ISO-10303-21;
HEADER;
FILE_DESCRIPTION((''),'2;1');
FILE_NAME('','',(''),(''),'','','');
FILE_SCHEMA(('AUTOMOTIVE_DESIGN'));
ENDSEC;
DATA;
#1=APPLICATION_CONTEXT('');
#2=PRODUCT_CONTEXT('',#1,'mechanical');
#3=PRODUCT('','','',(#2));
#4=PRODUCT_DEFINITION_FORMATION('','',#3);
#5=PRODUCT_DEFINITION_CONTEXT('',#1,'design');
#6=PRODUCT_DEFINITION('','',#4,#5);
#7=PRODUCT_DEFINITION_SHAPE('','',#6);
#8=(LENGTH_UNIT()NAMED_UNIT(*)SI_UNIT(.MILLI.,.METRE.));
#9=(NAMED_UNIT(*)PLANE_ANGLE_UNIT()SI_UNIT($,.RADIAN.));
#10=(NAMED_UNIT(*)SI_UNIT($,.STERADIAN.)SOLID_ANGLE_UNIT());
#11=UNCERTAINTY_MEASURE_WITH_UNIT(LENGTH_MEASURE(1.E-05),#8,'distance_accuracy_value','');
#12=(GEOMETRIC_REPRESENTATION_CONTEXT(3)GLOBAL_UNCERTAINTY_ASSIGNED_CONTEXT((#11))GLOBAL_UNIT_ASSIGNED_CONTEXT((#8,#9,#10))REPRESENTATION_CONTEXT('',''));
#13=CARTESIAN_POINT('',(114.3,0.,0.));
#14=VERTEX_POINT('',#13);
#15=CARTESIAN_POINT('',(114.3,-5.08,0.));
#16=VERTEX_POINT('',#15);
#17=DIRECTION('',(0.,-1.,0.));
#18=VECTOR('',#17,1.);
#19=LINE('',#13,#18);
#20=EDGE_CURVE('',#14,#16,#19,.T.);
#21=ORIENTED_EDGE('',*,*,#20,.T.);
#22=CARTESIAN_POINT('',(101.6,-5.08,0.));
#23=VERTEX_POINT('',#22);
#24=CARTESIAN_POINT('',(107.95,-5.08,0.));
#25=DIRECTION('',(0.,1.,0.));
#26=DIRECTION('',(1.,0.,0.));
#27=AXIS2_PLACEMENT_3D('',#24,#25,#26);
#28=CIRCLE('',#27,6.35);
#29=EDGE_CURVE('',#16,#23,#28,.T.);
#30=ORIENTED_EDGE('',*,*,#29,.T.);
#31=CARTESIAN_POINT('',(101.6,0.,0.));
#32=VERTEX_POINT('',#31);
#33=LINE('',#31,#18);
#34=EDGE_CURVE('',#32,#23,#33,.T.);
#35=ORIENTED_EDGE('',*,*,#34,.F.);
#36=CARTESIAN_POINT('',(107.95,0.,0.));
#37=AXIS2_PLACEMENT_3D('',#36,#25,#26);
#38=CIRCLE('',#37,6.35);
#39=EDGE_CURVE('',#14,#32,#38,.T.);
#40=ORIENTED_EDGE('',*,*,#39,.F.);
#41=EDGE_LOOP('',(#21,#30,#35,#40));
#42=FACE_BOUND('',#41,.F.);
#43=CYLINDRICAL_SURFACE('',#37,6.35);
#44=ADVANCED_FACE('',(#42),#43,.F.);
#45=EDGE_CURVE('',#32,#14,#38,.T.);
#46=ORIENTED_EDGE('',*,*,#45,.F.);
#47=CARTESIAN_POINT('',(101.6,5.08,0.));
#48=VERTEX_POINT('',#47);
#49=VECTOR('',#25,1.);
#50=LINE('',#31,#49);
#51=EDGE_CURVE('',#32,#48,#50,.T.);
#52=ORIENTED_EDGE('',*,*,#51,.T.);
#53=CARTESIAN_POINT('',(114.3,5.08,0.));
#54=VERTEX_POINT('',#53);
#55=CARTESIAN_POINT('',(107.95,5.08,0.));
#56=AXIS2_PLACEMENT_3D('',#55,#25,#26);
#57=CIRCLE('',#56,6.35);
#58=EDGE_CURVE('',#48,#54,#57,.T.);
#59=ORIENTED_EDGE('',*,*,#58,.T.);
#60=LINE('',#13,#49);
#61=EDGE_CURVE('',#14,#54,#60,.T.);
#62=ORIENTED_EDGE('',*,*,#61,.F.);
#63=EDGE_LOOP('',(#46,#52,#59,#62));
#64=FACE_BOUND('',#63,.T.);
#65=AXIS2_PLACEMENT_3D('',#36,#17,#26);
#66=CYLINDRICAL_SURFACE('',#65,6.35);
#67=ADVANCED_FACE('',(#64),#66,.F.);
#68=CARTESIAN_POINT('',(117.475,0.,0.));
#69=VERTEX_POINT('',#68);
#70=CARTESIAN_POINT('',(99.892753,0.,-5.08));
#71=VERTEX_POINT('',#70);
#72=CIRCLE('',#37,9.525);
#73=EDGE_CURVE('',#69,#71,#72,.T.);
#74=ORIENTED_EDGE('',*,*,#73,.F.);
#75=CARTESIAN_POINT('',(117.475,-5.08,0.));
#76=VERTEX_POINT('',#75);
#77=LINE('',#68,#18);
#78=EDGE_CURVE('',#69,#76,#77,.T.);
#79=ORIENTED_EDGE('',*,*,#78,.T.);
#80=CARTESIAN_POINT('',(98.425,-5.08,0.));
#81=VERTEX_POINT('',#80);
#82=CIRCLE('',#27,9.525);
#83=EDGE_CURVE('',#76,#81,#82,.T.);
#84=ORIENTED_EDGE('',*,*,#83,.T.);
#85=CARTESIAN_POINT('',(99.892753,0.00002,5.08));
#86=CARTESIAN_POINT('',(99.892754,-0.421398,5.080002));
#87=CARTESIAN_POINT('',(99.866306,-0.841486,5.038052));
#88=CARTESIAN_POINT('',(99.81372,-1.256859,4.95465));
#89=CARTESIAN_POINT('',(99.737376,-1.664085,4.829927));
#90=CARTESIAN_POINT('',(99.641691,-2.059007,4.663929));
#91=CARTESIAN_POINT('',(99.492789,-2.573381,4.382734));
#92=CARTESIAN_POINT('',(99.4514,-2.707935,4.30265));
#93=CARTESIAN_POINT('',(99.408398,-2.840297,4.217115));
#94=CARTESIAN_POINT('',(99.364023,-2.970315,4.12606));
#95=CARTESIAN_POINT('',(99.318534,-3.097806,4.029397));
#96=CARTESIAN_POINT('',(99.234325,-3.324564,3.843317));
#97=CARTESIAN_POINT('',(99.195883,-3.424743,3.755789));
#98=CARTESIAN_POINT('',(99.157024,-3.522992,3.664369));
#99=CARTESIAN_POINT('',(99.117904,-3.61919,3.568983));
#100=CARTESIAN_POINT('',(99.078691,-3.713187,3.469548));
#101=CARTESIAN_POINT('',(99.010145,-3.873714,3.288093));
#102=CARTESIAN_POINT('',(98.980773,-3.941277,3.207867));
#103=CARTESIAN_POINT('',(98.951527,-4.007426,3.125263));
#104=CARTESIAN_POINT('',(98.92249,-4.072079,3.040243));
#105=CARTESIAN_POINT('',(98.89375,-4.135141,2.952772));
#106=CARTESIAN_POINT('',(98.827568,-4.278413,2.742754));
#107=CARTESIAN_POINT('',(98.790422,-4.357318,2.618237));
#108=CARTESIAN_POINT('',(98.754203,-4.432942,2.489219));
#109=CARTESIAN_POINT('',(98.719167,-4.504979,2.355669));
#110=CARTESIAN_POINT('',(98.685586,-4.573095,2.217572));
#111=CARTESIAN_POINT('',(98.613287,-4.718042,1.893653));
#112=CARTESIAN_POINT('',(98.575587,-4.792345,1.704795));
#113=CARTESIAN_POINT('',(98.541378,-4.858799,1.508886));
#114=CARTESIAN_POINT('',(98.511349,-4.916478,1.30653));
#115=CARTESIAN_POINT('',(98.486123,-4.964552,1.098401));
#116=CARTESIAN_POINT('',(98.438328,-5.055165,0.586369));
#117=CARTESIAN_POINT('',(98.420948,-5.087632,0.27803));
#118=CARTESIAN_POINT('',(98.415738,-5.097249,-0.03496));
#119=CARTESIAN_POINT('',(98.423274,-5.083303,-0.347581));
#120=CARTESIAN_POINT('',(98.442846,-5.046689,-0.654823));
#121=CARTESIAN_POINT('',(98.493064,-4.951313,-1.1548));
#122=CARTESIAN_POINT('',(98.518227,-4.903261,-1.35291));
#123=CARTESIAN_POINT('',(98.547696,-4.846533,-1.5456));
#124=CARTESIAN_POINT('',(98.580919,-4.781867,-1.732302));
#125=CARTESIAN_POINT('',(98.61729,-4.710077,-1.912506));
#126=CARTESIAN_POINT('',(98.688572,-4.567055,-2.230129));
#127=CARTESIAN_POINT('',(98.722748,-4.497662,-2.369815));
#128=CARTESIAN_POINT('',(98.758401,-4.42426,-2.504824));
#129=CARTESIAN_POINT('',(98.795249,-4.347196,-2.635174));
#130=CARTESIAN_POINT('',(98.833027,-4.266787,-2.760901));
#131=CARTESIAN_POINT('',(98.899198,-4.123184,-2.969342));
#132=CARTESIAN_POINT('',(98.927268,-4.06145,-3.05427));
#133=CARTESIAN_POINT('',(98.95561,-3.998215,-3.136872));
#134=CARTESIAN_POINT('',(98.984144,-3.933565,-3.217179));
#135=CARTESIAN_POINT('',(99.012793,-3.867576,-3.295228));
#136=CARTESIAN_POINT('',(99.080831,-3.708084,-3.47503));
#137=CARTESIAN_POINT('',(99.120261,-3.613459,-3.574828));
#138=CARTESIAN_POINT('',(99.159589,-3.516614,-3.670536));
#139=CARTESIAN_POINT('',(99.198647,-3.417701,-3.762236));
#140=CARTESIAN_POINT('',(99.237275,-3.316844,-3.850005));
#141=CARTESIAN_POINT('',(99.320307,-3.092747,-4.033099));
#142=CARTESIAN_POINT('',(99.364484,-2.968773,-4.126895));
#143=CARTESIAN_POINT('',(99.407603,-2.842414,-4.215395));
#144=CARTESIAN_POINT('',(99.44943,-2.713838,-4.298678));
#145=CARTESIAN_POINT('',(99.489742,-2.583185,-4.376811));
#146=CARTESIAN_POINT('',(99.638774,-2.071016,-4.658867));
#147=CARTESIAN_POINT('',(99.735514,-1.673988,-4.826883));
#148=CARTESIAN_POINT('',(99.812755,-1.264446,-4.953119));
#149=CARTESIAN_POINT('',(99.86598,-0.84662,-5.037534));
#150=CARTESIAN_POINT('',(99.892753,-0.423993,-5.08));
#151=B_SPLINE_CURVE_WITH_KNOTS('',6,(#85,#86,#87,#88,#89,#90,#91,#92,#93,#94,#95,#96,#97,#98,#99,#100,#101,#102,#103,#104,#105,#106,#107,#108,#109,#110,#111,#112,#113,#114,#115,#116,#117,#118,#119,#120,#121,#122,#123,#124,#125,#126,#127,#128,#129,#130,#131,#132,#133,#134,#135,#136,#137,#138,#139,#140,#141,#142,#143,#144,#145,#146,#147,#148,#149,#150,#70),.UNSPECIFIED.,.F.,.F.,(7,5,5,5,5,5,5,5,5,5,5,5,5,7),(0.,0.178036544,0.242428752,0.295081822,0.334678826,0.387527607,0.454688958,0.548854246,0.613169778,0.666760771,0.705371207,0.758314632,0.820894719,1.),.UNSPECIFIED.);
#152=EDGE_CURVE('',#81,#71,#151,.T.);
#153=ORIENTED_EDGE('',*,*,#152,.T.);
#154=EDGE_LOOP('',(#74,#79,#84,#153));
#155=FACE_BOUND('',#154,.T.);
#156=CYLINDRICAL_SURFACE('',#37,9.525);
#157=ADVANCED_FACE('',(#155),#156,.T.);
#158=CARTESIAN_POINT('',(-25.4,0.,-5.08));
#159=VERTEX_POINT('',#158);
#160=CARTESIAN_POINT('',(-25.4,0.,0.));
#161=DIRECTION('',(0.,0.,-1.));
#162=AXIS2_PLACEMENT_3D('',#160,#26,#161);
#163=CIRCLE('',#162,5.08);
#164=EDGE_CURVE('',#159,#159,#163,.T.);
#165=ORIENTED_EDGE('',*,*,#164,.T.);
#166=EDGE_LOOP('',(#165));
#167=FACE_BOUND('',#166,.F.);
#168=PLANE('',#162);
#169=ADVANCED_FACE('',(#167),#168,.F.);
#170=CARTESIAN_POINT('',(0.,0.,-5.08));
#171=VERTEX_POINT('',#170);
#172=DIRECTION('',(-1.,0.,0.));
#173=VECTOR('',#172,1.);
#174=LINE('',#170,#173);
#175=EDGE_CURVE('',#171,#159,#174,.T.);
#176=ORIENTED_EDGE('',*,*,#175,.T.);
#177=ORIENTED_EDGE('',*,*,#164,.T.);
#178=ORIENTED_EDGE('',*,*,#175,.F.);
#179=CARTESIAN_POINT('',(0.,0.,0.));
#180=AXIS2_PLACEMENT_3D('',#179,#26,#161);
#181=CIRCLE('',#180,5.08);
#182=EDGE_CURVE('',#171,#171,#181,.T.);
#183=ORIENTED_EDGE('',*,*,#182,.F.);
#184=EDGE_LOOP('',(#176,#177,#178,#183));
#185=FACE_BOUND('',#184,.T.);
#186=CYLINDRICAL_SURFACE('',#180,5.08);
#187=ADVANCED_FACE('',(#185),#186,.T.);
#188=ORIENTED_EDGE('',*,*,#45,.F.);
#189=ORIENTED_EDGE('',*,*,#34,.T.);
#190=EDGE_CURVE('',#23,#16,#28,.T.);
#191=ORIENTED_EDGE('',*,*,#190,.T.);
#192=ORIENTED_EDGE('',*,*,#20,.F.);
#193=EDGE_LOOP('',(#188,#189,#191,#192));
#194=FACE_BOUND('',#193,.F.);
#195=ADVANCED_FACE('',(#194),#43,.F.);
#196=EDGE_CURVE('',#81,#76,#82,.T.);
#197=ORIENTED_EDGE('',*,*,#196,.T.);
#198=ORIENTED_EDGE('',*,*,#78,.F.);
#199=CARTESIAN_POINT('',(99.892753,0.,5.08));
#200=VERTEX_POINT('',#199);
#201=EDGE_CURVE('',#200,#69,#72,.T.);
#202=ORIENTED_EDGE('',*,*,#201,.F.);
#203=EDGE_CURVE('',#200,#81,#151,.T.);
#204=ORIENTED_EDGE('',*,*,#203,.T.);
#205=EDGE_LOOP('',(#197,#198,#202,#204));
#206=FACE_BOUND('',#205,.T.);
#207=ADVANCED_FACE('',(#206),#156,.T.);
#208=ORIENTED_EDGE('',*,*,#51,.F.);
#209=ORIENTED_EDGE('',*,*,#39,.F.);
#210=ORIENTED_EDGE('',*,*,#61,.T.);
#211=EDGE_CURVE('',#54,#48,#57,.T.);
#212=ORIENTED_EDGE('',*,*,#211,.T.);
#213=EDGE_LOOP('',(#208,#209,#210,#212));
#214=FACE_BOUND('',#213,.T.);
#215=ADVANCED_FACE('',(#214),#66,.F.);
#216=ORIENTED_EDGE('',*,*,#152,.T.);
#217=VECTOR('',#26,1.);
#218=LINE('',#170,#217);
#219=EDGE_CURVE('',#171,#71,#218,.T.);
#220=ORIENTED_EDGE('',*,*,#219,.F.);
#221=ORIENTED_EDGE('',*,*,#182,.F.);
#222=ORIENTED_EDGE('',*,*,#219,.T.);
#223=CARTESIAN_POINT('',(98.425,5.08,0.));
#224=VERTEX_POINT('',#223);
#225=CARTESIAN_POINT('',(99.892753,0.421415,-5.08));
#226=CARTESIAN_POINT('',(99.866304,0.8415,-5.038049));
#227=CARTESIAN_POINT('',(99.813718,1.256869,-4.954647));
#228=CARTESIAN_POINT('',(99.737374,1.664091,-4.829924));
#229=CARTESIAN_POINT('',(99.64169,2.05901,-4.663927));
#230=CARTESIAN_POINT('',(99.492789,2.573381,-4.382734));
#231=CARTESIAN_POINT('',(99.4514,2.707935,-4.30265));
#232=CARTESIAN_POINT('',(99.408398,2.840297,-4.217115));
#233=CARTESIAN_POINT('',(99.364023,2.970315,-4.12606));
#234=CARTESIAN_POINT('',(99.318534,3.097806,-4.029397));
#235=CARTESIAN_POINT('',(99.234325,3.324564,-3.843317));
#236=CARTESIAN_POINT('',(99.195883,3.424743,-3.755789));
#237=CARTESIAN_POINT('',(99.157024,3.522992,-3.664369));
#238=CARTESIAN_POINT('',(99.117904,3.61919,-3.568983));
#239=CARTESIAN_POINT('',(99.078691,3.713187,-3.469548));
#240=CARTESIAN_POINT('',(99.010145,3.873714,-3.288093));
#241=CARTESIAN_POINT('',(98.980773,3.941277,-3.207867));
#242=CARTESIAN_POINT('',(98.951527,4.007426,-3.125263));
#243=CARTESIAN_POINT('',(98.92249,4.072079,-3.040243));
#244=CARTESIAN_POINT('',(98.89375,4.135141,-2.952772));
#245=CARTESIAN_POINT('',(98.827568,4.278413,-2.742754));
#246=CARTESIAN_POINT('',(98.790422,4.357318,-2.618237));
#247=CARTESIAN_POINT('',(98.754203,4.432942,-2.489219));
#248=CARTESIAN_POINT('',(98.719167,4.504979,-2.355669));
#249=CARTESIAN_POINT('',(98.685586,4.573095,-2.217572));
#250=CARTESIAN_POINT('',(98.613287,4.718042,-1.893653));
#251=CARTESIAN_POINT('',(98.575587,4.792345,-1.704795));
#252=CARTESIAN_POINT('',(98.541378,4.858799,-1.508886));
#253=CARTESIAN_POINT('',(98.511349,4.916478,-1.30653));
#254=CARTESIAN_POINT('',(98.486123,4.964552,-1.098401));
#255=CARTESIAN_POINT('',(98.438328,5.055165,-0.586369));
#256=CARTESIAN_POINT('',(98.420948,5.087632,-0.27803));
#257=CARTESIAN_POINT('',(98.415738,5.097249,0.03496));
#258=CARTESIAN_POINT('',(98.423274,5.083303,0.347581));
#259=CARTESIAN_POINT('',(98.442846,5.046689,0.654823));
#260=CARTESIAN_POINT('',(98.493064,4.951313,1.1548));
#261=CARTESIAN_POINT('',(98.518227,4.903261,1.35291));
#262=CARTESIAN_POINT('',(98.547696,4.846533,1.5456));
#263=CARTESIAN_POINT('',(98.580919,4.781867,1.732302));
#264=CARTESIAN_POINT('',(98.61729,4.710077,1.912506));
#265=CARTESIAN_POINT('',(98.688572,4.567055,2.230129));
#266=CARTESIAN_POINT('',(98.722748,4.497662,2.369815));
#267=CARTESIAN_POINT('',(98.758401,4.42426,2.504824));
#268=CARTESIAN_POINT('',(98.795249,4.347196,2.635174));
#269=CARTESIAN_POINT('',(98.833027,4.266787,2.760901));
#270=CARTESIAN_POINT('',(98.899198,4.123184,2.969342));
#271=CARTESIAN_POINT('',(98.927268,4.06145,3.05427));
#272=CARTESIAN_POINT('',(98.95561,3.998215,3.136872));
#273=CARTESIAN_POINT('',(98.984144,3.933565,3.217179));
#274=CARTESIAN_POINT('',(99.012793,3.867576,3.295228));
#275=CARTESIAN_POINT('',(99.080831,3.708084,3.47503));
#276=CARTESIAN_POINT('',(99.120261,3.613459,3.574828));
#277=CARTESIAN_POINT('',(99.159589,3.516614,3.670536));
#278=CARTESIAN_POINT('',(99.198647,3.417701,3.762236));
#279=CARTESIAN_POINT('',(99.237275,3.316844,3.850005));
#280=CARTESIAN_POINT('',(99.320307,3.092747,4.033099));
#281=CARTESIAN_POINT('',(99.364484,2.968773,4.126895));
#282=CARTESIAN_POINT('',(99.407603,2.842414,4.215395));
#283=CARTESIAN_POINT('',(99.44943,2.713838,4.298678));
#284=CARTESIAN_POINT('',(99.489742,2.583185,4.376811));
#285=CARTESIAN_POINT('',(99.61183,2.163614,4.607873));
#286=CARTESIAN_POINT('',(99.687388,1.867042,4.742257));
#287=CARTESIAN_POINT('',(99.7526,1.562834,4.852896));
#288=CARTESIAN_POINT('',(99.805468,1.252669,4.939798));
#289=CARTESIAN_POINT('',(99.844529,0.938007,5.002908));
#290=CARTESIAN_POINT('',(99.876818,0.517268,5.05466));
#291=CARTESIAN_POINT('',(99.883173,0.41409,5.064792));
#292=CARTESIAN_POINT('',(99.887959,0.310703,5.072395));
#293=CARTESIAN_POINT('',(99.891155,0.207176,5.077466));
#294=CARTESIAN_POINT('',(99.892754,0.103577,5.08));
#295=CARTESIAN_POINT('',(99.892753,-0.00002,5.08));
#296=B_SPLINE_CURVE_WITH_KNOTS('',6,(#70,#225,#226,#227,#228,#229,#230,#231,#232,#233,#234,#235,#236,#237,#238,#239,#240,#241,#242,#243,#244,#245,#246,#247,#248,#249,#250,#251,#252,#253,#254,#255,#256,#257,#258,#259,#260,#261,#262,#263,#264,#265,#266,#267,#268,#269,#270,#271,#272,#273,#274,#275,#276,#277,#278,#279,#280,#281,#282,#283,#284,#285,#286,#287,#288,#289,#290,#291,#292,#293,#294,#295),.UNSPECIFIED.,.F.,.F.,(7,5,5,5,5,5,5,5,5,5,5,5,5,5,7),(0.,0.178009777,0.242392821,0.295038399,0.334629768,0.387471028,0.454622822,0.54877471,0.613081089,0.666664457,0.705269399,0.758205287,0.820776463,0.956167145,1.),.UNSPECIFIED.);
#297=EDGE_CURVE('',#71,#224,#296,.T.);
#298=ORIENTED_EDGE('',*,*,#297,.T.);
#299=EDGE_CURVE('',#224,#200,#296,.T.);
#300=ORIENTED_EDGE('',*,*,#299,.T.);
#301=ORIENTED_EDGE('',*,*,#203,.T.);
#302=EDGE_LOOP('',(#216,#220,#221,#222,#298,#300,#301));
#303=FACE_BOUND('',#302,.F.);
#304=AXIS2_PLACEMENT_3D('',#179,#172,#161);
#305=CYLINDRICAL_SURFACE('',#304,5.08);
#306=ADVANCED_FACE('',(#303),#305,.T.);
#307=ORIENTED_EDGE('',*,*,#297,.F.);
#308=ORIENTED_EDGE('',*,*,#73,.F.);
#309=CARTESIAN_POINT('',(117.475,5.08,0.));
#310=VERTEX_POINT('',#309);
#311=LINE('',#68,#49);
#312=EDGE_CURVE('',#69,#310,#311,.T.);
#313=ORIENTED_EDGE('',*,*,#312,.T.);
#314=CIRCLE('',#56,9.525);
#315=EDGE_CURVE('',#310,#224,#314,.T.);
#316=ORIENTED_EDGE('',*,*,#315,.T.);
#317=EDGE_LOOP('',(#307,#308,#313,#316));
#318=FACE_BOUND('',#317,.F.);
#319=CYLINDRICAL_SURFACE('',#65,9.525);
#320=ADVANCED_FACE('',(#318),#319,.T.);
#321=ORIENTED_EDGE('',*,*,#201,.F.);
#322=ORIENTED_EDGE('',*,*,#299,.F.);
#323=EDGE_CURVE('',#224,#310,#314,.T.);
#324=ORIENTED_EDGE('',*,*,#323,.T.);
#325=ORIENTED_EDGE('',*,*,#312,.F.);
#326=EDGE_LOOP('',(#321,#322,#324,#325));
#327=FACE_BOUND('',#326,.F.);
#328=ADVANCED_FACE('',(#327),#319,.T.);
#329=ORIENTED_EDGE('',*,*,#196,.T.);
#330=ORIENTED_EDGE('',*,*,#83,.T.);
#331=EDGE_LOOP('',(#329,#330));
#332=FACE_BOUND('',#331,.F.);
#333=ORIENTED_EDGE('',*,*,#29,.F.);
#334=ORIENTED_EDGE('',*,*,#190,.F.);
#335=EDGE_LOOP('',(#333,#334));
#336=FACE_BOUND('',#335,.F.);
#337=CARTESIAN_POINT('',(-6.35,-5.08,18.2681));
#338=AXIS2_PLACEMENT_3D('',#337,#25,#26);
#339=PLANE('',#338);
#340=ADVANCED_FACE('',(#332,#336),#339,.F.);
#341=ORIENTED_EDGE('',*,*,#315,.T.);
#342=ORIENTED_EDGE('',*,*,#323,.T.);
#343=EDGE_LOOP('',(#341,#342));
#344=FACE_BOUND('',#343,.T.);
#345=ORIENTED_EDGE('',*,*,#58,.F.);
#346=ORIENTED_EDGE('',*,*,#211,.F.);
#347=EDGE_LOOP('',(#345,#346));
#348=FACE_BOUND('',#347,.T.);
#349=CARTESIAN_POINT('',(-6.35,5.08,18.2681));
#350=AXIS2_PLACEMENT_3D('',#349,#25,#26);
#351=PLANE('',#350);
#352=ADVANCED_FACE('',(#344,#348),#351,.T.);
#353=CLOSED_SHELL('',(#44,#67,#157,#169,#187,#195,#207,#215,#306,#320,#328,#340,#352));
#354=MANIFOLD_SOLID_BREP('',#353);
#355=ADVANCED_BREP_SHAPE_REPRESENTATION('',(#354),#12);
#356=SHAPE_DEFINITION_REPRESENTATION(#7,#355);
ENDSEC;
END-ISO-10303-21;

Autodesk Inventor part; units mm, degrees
ref_plane "YZ Plane" through (0, 0, 0) normal (1, 0, 0) x (0, 1, 0)
ref_plane "XZ Plane" through (0, 0, 0) normal (0, 1, 0) x (-1, 0, 0)
ref_plane "XY Plane" through (0, 0, 0) normal (0, 0, 1) x (1, 0, 0)
ref_plane "Work Plane2" through (-6.35, 0, 0) normal (-1, 0, 0) x (0, 0, 1)
ref_plane "Work Plane3" through (0, 0, 0) normal (1, 0, 0) x (0, 0, -1)
sketch "Sketch3" plane through (0, 0, 0) normal (1, 0, 0) x (0, 0, -1)
  circle A0 centre (0, 0) radius 5.08
  dimension "d35" = 10.16
extrude "Extrusion2" add sketch "Sketch3" along normal blind 101.6 and the other way blind 25.4
sketch "Sketch5" plane through (101.6, 0, 0) normal (1, 0, 0) x (0, 0, -1)
  circle A0 centre (0, 0) radius 5.08 projected
ref_plane "Work Plane1" through (-6.35, 0, 18.2681) normal (0, 1, 0) x (1, 0, 0)
sketch "Sketch6" plane through (-6.35, 0, 18.2681) normal (0, 1, 0) x (1, 0, 0)
  point P0 (6.35, 18.2681)
sketch "Sketch7" plane through (-6.35, 0, 18.2681) normal (0, 1, 0) x (1, 0, 0)
  line L0 (107.95, 13.1881) -> (107.95, 23.3481) projected
  line L1 (107.95, 18.2681) -> (114.3, 18.2681)
  circle A0 centre (114.3, 18.2681) radius 6.35
  circle A1 centre (114.3, 18.2681) radius 9.525
  point P0 (6.35, 18.2681)
  dimension "d50" = 6.35
  dimension "d51" = 19.05
extrude "Extrusion4" add sketch "Sketch7" along normal mid plane 10.16
sketch "Sketch8" plane through (107.95, 5.08, 0) normal (0, 1, 0) x (1, 0, 0)
  point P0 (-107.95, 0)
equation "\"HR\" = 7.874"
equation "\"PR\" = 5.588"
equation "\"HA\" = 55deg"
properties part number "handle with hole"
